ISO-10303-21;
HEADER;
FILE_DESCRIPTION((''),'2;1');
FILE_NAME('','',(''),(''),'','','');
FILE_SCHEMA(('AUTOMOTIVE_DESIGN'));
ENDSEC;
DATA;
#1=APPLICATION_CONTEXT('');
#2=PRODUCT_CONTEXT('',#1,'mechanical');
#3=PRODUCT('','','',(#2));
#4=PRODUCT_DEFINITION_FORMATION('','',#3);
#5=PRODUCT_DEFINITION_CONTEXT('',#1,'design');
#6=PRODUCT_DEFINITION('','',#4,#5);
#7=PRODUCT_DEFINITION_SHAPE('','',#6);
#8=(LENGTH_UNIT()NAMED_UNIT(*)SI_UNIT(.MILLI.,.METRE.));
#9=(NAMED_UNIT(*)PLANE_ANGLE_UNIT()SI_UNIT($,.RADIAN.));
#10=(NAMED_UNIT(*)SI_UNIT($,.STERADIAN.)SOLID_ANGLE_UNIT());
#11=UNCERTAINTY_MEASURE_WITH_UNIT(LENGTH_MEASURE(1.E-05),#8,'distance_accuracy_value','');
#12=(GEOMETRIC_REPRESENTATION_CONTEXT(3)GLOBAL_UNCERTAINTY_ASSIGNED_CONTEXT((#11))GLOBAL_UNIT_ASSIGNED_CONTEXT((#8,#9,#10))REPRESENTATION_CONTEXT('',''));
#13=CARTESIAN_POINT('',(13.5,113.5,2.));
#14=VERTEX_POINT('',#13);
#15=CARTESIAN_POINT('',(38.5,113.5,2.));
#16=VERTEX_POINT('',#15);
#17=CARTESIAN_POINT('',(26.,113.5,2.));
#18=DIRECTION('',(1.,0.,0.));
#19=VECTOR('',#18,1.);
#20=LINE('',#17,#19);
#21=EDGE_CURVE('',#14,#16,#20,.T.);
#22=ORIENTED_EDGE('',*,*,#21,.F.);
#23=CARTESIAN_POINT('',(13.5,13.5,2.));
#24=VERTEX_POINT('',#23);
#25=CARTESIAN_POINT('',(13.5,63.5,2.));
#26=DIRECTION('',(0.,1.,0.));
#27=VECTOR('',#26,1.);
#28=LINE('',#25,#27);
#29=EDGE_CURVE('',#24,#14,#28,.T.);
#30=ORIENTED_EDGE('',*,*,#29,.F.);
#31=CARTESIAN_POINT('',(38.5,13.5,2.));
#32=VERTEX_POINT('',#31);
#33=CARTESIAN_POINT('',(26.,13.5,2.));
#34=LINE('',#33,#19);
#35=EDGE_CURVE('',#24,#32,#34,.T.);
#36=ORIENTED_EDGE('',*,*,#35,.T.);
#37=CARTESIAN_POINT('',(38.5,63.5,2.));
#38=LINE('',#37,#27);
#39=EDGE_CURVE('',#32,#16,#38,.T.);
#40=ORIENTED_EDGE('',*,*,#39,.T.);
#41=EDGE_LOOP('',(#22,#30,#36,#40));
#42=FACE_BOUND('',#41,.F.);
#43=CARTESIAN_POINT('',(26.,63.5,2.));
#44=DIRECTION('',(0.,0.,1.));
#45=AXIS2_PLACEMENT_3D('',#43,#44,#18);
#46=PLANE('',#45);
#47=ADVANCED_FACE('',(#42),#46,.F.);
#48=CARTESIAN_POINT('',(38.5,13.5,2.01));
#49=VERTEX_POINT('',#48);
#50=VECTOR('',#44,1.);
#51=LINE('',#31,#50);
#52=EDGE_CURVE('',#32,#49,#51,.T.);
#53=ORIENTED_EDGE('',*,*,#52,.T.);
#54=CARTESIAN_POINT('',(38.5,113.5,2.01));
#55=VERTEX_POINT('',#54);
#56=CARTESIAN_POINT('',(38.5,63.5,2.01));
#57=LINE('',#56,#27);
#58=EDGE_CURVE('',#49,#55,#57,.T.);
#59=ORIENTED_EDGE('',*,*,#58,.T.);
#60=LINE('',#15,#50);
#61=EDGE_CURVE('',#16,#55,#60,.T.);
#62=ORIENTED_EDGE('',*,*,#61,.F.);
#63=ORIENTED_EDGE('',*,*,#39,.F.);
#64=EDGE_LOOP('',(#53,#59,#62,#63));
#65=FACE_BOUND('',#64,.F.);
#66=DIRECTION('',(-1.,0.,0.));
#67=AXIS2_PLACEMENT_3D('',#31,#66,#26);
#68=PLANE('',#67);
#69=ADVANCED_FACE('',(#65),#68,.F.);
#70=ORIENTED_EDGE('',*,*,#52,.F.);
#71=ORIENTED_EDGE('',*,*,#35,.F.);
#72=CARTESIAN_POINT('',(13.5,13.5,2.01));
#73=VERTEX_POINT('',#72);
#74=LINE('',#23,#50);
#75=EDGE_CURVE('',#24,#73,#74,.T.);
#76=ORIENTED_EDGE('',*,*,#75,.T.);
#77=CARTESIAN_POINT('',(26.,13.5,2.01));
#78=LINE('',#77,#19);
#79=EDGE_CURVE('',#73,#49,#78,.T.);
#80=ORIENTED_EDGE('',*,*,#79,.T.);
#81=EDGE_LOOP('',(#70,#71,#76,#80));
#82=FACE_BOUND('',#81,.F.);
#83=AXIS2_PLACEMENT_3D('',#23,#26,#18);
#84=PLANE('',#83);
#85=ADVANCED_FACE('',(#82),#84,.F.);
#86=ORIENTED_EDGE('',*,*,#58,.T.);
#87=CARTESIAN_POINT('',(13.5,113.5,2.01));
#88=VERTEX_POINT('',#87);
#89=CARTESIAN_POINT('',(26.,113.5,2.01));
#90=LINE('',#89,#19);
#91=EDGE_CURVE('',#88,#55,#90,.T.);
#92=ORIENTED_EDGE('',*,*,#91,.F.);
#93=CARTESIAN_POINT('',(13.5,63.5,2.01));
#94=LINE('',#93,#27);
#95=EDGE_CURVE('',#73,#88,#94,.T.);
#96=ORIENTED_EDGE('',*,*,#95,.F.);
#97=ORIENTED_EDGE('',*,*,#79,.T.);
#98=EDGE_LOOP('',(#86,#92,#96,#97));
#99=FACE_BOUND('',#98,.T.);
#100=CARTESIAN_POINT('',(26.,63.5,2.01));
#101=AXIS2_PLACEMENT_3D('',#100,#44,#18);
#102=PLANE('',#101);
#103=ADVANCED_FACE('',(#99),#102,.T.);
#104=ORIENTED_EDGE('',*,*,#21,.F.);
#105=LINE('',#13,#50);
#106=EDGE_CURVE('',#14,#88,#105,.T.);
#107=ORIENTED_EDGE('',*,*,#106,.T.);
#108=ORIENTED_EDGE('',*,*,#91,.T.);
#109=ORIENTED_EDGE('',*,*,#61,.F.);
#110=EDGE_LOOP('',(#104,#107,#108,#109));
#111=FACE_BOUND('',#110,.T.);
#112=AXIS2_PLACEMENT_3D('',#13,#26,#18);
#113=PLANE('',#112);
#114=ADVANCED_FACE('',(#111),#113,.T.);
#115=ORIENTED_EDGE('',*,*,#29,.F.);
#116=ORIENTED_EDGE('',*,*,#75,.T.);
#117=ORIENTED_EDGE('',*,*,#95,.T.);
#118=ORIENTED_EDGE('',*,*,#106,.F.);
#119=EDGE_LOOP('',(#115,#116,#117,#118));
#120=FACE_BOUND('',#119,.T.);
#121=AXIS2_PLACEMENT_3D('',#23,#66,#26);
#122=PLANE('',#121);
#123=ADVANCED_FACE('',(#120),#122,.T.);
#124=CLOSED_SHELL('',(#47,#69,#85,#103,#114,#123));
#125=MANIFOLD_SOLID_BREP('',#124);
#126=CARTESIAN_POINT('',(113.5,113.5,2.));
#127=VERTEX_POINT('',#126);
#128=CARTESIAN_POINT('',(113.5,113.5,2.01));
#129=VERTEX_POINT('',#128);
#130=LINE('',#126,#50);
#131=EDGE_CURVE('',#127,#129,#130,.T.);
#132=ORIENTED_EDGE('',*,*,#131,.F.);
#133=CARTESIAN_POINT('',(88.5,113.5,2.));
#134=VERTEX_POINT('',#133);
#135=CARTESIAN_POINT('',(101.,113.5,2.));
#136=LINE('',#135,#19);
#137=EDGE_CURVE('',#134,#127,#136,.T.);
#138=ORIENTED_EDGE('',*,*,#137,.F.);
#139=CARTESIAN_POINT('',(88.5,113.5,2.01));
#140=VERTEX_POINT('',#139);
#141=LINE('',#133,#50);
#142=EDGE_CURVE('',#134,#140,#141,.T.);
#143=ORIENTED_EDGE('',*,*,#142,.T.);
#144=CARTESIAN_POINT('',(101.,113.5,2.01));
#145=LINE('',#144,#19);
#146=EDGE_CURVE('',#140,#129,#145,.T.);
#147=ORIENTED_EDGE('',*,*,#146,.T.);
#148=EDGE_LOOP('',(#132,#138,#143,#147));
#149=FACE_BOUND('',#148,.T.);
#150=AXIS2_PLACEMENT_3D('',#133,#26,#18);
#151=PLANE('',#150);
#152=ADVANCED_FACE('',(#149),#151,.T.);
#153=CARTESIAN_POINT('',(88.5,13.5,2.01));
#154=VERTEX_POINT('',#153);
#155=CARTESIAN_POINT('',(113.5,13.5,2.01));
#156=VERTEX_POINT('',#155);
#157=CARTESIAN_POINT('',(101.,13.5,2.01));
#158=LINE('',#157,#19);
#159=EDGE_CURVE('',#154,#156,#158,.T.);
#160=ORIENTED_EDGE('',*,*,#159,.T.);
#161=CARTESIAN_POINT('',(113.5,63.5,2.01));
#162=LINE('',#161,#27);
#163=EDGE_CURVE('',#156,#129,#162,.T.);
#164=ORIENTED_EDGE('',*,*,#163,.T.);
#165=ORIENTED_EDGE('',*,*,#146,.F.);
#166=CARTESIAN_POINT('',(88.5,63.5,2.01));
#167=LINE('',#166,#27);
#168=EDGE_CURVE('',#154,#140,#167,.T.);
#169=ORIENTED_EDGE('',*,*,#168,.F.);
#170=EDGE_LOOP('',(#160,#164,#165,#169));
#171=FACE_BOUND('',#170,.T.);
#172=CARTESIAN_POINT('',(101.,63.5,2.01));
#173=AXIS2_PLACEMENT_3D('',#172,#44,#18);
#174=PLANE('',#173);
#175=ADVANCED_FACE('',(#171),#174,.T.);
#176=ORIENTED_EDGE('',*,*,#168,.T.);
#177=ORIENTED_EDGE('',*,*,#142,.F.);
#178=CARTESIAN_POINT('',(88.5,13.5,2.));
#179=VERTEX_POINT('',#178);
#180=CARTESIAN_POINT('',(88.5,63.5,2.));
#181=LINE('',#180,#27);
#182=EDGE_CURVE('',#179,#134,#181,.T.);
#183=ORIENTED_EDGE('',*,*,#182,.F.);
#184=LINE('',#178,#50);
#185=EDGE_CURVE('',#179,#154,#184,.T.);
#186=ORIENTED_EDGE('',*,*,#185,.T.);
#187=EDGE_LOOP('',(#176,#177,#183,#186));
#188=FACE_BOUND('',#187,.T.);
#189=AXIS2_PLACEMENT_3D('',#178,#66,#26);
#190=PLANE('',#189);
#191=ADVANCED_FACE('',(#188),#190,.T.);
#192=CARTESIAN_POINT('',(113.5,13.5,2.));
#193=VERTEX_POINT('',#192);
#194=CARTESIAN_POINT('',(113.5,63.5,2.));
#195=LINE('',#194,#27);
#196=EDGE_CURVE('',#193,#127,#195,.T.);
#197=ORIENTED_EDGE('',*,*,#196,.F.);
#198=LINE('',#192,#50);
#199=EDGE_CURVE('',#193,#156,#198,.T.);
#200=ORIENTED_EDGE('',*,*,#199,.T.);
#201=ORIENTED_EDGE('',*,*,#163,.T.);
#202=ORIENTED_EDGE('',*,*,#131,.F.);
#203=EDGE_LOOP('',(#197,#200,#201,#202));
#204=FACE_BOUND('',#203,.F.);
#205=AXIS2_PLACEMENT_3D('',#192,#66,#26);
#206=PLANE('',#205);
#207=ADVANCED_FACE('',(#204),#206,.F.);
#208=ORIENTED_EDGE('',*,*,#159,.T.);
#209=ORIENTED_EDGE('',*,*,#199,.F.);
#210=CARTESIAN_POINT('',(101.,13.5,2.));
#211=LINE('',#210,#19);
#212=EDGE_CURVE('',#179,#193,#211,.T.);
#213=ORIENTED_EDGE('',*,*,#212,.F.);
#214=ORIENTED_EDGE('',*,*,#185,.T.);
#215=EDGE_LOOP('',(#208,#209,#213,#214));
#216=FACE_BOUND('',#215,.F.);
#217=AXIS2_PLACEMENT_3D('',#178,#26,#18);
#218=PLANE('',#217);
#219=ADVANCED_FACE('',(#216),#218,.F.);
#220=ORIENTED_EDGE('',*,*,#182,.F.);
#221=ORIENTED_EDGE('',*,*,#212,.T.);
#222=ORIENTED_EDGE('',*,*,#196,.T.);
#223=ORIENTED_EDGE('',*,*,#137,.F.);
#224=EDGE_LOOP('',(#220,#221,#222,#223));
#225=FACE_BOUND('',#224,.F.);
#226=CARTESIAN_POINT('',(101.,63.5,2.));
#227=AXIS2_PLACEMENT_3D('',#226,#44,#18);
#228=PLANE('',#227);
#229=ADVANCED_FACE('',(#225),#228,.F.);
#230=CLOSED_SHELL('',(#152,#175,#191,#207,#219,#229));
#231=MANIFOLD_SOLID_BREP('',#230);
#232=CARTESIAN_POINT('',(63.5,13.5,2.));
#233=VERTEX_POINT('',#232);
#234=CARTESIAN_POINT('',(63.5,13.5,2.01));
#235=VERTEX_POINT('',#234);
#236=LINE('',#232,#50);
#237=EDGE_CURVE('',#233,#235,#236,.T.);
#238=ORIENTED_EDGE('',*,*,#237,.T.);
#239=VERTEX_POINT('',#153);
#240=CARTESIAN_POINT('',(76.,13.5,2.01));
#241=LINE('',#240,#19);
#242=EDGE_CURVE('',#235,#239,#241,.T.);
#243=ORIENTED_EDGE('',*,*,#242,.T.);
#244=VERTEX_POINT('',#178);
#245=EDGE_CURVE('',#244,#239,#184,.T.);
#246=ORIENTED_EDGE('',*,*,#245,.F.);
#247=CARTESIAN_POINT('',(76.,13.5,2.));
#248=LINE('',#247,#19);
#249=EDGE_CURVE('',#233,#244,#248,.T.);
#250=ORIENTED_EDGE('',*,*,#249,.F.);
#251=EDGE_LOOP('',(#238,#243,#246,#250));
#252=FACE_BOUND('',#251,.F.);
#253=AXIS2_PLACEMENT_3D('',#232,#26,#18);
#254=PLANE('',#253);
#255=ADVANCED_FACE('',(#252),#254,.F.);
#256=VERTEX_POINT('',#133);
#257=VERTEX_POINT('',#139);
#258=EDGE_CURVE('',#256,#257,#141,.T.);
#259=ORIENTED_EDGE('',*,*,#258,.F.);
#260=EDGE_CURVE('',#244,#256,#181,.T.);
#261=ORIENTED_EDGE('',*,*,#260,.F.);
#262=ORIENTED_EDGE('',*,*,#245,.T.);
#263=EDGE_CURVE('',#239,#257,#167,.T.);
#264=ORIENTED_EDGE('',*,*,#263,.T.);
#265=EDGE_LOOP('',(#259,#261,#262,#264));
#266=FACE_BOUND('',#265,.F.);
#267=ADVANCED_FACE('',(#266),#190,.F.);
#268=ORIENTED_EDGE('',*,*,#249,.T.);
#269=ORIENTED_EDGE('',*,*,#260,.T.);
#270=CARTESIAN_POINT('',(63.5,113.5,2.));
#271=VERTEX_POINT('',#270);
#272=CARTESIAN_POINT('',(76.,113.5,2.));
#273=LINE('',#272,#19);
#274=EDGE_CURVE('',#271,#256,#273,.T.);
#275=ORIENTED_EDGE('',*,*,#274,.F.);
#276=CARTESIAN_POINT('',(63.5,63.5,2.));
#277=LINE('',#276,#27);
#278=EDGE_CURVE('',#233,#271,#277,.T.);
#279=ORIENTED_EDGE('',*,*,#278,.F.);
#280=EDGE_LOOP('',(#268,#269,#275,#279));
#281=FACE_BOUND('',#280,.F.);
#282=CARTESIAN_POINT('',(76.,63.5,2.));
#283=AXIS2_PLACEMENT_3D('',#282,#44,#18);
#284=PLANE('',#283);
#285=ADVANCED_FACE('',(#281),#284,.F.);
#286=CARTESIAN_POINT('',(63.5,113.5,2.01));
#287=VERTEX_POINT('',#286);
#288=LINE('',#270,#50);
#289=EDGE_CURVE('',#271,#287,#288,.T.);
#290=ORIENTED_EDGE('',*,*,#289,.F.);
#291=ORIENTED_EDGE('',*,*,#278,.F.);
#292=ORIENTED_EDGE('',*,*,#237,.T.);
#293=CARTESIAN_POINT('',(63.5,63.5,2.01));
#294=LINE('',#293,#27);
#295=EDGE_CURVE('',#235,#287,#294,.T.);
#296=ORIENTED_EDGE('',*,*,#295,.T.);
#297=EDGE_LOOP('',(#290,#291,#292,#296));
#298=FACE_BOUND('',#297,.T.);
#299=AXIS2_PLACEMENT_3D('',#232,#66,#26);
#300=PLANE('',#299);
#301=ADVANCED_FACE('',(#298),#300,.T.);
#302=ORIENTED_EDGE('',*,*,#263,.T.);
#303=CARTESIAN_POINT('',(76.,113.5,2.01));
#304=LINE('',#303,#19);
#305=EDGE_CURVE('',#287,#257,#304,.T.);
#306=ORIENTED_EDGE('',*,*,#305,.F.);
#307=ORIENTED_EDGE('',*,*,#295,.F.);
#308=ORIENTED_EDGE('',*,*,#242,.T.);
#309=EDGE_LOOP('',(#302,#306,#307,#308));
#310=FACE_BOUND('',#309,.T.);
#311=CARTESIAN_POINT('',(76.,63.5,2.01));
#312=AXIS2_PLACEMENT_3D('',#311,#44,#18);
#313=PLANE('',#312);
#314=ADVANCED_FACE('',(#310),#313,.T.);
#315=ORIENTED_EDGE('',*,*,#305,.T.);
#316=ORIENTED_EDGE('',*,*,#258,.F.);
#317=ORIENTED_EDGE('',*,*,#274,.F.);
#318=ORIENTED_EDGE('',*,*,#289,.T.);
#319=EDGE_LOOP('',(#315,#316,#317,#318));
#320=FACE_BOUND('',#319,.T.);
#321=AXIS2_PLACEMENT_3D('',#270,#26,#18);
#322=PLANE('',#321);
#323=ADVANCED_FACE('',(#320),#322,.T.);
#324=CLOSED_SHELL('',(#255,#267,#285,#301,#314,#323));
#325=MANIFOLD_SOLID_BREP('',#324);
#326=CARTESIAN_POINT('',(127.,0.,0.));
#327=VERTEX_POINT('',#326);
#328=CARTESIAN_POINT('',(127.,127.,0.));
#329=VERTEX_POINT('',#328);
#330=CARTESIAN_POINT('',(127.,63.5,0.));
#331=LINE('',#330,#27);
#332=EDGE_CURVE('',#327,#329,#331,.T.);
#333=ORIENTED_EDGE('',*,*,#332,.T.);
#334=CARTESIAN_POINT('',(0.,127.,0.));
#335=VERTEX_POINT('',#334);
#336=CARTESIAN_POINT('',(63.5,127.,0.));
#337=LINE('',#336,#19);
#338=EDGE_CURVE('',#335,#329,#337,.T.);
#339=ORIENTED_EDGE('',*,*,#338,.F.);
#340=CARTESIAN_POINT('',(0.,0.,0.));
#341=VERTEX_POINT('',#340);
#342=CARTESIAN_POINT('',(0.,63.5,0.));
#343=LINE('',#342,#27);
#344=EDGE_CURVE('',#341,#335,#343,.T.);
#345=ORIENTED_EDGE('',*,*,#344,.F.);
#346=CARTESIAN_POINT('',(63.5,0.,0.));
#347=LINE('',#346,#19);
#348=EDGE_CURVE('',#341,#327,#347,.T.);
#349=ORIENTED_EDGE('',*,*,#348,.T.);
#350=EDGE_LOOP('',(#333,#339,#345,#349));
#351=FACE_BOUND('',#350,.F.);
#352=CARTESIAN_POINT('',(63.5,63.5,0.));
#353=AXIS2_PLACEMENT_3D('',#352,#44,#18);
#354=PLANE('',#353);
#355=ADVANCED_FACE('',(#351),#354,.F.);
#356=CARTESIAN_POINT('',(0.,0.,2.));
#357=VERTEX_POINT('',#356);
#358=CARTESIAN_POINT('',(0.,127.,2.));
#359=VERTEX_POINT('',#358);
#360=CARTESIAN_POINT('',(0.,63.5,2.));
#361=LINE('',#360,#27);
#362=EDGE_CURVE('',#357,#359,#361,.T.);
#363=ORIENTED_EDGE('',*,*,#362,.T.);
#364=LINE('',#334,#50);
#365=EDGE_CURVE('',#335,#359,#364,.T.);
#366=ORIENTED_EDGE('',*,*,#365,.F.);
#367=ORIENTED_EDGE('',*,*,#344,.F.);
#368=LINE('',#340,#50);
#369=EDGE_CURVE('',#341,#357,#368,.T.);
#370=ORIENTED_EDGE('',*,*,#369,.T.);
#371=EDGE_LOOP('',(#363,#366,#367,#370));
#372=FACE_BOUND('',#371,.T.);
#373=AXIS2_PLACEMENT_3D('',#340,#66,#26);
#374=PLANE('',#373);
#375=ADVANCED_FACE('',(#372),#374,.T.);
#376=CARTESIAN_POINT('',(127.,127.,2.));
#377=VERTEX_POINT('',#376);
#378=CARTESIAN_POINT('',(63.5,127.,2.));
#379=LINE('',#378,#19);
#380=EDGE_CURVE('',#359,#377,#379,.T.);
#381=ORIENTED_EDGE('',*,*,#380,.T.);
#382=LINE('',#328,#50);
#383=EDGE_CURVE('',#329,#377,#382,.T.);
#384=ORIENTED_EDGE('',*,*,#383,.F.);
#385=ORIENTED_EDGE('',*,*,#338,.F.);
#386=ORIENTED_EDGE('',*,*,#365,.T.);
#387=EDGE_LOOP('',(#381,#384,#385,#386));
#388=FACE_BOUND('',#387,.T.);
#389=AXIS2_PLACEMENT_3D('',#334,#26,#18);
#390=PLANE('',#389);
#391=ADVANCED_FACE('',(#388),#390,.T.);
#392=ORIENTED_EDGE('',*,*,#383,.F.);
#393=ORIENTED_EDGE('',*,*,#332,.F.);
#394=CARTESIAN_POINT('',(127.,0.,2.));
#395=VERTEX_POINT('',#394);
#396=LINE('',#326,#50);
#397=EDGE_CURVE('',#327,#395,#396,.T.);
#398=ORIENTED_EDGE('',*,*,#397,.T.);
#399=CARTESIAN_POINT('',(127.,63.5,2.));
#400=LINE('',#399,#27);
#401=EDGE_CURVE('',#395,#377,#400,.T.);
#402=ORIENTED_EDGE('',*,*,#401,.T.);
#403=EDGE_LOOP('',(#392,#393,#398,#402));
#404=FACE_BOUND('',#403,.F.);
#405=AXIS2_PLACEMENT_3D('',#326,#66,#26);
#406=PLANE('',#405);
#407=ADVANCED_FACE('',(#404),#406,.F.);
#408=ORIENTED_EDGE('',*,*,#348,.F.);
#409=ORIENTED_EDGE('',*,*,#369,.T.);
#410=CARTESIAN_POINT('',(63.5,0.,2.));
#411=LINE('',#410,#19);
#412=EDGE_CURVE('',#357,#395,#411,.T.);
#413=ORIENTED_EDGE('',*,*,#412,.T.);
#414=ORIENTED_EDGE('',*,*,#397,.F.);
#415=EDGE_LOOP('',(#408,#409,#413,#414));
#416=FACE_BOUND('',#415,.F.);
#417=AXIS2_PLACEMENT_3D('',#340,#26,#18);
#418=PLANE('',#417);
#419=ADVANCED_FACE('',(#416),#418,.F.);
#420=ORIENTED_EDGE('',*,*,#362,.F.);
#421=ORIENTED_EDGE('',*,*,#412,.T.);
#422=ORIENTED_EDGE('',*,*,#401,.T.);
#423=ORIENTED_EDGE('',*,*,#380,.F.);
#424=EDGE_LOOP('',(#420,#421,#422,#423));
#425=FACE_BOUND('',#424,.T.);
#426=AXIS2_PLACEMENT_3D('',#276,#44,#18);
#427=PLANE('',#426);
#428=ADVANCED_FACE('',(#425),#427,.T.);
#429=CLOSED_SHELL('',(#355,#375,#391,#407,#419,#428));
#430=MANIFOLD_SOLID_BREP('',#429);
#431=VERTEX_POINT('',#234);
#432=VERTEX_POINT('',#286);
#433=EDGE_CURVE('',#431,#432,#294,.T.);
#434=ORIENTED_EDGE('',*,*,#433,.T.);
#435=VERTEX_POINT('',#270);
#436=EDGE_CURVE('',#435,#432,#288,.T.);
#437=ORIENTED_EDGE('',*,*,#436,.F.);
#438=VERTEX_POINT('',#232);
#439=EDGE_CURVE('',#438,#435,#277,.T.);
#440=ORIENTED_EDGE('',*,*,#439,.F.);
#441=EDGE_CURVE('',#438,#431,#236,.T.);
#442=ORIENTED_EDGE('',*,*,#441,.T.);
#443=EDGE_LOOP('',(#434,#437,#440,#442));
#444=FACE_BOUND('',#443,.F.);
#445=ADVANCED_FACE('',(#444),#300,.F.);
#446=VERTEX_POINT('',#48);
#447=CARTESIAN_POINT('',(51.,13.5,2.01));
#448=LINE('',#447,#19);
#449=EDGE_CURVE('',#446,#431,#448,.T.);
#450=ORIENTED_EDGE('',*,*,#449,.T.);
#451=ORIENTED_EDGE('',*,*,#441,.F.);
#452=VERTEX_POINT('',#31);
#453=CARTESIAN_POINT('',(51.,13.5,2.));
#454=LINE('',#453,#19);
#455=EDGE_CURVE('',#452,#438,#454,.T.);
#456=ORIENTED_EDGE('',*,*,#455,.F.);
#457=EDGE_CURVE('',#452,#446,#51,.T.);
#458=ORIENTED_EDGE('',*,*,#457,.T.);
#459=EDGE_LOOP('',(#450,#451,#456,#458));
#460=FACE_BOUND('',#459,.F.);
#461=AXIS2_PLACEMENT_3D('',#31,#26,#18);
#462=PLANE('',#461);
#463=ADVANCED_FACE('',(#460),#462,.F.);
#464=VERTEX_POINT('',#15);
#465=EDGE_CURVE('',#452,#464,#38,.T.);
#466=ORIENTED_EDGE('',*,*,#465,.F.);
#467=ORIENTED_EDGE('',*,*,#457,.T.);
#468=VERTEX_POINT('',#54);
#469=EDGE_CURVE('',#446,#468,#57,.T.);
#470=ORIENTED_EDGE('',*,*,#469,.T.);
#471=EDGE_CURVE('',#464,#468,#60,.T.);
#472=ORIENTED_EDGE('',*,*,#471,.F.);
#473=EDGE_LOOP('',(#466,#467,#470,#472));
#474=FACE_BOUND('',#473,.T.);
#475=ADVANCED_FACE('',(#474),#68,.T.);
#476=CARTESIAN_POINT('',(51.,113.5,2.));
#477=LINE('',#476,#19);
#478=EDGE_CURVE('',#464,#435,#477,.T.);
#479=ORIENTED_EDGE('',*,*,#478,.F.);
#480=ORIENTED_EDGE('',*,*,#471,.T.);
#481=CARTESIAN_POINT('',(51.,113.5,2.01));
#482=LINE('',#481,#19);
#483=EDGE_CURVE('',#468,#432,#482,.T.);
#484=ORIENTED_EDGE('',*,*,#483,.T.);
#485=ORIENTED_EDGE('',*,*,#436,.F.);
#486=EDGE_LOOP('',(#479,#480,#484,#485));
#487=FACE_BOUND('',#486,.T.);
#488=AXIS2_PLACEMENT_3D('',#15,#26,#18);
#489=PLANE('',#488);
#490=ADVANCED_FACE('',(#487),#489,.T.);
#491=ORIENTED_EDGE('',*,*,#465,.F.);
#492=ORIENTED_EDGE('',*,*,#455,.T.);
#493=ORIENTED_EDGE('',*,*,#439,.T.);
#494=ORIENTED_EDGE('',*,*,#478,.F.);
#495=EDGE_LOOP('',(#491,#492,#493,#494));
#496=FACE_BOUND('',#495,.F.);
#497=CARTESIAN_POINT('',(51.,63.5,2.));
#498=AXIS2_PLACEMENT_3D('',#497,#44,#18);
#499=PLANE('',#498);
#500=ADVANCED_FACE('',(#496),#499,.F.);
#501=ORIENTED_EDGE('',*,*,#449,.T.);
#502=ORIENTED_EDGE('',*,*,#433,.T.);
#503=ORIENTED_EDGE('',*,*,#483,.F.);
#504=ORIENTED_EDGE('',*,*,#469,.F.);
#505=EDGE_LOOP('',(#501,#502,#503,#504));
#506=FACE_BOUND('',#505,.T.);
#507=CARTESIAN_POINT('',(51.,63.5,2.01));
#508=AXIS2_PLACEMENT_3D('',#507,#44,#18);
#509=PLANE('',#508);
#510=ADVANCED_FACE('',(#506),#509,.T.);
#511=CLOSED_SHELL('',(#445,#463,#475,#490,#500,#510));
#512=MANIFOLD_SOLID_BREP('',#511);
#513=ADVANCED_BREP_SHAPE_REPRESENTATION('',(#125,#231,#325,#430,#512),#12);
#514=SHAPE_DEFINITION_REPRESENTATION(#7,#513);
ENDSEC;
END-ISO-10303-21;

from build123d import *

# Parameters (mm, degrees)
F0_W     = 127
F0_H     = 127
F1_DEPTH = 2
F2_W     = 25
F2_H     = 100
F3_DEPTH = 0.01
F4_DEPTH = 0.01
F5_DEPTH = 0.01
F6_DEPTH = 0.01


with BuildPart() as f1:
    # F0 (on Top) → F1 (new body)
    with BuildSketch(Plane.XY):
        with Locations((63.5, 63.5)):
            Rectangle(F0_W, F0_H)
    extrude(amount=F1_DEPTH)


with BuildPart() as f3:
    # F2 (on face) → F3 (new body)
    with BuildSketch(Plane.XY.offset(2)):
        with Locations((26, 63.5)):
            Rectangle(F2_W, F2_H)
    extrude(amount=F3_DEPTH)


with BuildPart() as f4:
    # F2 (on face) → F4 (new body)
    with BuildSketch(Plane.XY.offset(2)):
        with Locations((51, 63.5)):
            Rectangle(F2_W, F2_H)
    extrude(amount=F4_DEPTH)


with BuildPart() as f5:
    # F2 (on face) → F5 (new body)
    with BuildSketch(Plane.XY.offset(2)):
        with Locations((76, 63.5)):
            Rectangle(F2_W, F2_H)
    extrude(amount=F5_DEPTH)


with BuildPart() as f6:
    # F2 (on face) → F6 (new body)
    with BuildSketch(Plane.XY.offset(2)):
        with Locations((101, 63.5)):
            Rectangle(F2_W, F2_H)
    extrude(amount=F6_DEPTH)


solid = Compound([f1.part, f3.part, f4.part, f5.part, f6.part])
